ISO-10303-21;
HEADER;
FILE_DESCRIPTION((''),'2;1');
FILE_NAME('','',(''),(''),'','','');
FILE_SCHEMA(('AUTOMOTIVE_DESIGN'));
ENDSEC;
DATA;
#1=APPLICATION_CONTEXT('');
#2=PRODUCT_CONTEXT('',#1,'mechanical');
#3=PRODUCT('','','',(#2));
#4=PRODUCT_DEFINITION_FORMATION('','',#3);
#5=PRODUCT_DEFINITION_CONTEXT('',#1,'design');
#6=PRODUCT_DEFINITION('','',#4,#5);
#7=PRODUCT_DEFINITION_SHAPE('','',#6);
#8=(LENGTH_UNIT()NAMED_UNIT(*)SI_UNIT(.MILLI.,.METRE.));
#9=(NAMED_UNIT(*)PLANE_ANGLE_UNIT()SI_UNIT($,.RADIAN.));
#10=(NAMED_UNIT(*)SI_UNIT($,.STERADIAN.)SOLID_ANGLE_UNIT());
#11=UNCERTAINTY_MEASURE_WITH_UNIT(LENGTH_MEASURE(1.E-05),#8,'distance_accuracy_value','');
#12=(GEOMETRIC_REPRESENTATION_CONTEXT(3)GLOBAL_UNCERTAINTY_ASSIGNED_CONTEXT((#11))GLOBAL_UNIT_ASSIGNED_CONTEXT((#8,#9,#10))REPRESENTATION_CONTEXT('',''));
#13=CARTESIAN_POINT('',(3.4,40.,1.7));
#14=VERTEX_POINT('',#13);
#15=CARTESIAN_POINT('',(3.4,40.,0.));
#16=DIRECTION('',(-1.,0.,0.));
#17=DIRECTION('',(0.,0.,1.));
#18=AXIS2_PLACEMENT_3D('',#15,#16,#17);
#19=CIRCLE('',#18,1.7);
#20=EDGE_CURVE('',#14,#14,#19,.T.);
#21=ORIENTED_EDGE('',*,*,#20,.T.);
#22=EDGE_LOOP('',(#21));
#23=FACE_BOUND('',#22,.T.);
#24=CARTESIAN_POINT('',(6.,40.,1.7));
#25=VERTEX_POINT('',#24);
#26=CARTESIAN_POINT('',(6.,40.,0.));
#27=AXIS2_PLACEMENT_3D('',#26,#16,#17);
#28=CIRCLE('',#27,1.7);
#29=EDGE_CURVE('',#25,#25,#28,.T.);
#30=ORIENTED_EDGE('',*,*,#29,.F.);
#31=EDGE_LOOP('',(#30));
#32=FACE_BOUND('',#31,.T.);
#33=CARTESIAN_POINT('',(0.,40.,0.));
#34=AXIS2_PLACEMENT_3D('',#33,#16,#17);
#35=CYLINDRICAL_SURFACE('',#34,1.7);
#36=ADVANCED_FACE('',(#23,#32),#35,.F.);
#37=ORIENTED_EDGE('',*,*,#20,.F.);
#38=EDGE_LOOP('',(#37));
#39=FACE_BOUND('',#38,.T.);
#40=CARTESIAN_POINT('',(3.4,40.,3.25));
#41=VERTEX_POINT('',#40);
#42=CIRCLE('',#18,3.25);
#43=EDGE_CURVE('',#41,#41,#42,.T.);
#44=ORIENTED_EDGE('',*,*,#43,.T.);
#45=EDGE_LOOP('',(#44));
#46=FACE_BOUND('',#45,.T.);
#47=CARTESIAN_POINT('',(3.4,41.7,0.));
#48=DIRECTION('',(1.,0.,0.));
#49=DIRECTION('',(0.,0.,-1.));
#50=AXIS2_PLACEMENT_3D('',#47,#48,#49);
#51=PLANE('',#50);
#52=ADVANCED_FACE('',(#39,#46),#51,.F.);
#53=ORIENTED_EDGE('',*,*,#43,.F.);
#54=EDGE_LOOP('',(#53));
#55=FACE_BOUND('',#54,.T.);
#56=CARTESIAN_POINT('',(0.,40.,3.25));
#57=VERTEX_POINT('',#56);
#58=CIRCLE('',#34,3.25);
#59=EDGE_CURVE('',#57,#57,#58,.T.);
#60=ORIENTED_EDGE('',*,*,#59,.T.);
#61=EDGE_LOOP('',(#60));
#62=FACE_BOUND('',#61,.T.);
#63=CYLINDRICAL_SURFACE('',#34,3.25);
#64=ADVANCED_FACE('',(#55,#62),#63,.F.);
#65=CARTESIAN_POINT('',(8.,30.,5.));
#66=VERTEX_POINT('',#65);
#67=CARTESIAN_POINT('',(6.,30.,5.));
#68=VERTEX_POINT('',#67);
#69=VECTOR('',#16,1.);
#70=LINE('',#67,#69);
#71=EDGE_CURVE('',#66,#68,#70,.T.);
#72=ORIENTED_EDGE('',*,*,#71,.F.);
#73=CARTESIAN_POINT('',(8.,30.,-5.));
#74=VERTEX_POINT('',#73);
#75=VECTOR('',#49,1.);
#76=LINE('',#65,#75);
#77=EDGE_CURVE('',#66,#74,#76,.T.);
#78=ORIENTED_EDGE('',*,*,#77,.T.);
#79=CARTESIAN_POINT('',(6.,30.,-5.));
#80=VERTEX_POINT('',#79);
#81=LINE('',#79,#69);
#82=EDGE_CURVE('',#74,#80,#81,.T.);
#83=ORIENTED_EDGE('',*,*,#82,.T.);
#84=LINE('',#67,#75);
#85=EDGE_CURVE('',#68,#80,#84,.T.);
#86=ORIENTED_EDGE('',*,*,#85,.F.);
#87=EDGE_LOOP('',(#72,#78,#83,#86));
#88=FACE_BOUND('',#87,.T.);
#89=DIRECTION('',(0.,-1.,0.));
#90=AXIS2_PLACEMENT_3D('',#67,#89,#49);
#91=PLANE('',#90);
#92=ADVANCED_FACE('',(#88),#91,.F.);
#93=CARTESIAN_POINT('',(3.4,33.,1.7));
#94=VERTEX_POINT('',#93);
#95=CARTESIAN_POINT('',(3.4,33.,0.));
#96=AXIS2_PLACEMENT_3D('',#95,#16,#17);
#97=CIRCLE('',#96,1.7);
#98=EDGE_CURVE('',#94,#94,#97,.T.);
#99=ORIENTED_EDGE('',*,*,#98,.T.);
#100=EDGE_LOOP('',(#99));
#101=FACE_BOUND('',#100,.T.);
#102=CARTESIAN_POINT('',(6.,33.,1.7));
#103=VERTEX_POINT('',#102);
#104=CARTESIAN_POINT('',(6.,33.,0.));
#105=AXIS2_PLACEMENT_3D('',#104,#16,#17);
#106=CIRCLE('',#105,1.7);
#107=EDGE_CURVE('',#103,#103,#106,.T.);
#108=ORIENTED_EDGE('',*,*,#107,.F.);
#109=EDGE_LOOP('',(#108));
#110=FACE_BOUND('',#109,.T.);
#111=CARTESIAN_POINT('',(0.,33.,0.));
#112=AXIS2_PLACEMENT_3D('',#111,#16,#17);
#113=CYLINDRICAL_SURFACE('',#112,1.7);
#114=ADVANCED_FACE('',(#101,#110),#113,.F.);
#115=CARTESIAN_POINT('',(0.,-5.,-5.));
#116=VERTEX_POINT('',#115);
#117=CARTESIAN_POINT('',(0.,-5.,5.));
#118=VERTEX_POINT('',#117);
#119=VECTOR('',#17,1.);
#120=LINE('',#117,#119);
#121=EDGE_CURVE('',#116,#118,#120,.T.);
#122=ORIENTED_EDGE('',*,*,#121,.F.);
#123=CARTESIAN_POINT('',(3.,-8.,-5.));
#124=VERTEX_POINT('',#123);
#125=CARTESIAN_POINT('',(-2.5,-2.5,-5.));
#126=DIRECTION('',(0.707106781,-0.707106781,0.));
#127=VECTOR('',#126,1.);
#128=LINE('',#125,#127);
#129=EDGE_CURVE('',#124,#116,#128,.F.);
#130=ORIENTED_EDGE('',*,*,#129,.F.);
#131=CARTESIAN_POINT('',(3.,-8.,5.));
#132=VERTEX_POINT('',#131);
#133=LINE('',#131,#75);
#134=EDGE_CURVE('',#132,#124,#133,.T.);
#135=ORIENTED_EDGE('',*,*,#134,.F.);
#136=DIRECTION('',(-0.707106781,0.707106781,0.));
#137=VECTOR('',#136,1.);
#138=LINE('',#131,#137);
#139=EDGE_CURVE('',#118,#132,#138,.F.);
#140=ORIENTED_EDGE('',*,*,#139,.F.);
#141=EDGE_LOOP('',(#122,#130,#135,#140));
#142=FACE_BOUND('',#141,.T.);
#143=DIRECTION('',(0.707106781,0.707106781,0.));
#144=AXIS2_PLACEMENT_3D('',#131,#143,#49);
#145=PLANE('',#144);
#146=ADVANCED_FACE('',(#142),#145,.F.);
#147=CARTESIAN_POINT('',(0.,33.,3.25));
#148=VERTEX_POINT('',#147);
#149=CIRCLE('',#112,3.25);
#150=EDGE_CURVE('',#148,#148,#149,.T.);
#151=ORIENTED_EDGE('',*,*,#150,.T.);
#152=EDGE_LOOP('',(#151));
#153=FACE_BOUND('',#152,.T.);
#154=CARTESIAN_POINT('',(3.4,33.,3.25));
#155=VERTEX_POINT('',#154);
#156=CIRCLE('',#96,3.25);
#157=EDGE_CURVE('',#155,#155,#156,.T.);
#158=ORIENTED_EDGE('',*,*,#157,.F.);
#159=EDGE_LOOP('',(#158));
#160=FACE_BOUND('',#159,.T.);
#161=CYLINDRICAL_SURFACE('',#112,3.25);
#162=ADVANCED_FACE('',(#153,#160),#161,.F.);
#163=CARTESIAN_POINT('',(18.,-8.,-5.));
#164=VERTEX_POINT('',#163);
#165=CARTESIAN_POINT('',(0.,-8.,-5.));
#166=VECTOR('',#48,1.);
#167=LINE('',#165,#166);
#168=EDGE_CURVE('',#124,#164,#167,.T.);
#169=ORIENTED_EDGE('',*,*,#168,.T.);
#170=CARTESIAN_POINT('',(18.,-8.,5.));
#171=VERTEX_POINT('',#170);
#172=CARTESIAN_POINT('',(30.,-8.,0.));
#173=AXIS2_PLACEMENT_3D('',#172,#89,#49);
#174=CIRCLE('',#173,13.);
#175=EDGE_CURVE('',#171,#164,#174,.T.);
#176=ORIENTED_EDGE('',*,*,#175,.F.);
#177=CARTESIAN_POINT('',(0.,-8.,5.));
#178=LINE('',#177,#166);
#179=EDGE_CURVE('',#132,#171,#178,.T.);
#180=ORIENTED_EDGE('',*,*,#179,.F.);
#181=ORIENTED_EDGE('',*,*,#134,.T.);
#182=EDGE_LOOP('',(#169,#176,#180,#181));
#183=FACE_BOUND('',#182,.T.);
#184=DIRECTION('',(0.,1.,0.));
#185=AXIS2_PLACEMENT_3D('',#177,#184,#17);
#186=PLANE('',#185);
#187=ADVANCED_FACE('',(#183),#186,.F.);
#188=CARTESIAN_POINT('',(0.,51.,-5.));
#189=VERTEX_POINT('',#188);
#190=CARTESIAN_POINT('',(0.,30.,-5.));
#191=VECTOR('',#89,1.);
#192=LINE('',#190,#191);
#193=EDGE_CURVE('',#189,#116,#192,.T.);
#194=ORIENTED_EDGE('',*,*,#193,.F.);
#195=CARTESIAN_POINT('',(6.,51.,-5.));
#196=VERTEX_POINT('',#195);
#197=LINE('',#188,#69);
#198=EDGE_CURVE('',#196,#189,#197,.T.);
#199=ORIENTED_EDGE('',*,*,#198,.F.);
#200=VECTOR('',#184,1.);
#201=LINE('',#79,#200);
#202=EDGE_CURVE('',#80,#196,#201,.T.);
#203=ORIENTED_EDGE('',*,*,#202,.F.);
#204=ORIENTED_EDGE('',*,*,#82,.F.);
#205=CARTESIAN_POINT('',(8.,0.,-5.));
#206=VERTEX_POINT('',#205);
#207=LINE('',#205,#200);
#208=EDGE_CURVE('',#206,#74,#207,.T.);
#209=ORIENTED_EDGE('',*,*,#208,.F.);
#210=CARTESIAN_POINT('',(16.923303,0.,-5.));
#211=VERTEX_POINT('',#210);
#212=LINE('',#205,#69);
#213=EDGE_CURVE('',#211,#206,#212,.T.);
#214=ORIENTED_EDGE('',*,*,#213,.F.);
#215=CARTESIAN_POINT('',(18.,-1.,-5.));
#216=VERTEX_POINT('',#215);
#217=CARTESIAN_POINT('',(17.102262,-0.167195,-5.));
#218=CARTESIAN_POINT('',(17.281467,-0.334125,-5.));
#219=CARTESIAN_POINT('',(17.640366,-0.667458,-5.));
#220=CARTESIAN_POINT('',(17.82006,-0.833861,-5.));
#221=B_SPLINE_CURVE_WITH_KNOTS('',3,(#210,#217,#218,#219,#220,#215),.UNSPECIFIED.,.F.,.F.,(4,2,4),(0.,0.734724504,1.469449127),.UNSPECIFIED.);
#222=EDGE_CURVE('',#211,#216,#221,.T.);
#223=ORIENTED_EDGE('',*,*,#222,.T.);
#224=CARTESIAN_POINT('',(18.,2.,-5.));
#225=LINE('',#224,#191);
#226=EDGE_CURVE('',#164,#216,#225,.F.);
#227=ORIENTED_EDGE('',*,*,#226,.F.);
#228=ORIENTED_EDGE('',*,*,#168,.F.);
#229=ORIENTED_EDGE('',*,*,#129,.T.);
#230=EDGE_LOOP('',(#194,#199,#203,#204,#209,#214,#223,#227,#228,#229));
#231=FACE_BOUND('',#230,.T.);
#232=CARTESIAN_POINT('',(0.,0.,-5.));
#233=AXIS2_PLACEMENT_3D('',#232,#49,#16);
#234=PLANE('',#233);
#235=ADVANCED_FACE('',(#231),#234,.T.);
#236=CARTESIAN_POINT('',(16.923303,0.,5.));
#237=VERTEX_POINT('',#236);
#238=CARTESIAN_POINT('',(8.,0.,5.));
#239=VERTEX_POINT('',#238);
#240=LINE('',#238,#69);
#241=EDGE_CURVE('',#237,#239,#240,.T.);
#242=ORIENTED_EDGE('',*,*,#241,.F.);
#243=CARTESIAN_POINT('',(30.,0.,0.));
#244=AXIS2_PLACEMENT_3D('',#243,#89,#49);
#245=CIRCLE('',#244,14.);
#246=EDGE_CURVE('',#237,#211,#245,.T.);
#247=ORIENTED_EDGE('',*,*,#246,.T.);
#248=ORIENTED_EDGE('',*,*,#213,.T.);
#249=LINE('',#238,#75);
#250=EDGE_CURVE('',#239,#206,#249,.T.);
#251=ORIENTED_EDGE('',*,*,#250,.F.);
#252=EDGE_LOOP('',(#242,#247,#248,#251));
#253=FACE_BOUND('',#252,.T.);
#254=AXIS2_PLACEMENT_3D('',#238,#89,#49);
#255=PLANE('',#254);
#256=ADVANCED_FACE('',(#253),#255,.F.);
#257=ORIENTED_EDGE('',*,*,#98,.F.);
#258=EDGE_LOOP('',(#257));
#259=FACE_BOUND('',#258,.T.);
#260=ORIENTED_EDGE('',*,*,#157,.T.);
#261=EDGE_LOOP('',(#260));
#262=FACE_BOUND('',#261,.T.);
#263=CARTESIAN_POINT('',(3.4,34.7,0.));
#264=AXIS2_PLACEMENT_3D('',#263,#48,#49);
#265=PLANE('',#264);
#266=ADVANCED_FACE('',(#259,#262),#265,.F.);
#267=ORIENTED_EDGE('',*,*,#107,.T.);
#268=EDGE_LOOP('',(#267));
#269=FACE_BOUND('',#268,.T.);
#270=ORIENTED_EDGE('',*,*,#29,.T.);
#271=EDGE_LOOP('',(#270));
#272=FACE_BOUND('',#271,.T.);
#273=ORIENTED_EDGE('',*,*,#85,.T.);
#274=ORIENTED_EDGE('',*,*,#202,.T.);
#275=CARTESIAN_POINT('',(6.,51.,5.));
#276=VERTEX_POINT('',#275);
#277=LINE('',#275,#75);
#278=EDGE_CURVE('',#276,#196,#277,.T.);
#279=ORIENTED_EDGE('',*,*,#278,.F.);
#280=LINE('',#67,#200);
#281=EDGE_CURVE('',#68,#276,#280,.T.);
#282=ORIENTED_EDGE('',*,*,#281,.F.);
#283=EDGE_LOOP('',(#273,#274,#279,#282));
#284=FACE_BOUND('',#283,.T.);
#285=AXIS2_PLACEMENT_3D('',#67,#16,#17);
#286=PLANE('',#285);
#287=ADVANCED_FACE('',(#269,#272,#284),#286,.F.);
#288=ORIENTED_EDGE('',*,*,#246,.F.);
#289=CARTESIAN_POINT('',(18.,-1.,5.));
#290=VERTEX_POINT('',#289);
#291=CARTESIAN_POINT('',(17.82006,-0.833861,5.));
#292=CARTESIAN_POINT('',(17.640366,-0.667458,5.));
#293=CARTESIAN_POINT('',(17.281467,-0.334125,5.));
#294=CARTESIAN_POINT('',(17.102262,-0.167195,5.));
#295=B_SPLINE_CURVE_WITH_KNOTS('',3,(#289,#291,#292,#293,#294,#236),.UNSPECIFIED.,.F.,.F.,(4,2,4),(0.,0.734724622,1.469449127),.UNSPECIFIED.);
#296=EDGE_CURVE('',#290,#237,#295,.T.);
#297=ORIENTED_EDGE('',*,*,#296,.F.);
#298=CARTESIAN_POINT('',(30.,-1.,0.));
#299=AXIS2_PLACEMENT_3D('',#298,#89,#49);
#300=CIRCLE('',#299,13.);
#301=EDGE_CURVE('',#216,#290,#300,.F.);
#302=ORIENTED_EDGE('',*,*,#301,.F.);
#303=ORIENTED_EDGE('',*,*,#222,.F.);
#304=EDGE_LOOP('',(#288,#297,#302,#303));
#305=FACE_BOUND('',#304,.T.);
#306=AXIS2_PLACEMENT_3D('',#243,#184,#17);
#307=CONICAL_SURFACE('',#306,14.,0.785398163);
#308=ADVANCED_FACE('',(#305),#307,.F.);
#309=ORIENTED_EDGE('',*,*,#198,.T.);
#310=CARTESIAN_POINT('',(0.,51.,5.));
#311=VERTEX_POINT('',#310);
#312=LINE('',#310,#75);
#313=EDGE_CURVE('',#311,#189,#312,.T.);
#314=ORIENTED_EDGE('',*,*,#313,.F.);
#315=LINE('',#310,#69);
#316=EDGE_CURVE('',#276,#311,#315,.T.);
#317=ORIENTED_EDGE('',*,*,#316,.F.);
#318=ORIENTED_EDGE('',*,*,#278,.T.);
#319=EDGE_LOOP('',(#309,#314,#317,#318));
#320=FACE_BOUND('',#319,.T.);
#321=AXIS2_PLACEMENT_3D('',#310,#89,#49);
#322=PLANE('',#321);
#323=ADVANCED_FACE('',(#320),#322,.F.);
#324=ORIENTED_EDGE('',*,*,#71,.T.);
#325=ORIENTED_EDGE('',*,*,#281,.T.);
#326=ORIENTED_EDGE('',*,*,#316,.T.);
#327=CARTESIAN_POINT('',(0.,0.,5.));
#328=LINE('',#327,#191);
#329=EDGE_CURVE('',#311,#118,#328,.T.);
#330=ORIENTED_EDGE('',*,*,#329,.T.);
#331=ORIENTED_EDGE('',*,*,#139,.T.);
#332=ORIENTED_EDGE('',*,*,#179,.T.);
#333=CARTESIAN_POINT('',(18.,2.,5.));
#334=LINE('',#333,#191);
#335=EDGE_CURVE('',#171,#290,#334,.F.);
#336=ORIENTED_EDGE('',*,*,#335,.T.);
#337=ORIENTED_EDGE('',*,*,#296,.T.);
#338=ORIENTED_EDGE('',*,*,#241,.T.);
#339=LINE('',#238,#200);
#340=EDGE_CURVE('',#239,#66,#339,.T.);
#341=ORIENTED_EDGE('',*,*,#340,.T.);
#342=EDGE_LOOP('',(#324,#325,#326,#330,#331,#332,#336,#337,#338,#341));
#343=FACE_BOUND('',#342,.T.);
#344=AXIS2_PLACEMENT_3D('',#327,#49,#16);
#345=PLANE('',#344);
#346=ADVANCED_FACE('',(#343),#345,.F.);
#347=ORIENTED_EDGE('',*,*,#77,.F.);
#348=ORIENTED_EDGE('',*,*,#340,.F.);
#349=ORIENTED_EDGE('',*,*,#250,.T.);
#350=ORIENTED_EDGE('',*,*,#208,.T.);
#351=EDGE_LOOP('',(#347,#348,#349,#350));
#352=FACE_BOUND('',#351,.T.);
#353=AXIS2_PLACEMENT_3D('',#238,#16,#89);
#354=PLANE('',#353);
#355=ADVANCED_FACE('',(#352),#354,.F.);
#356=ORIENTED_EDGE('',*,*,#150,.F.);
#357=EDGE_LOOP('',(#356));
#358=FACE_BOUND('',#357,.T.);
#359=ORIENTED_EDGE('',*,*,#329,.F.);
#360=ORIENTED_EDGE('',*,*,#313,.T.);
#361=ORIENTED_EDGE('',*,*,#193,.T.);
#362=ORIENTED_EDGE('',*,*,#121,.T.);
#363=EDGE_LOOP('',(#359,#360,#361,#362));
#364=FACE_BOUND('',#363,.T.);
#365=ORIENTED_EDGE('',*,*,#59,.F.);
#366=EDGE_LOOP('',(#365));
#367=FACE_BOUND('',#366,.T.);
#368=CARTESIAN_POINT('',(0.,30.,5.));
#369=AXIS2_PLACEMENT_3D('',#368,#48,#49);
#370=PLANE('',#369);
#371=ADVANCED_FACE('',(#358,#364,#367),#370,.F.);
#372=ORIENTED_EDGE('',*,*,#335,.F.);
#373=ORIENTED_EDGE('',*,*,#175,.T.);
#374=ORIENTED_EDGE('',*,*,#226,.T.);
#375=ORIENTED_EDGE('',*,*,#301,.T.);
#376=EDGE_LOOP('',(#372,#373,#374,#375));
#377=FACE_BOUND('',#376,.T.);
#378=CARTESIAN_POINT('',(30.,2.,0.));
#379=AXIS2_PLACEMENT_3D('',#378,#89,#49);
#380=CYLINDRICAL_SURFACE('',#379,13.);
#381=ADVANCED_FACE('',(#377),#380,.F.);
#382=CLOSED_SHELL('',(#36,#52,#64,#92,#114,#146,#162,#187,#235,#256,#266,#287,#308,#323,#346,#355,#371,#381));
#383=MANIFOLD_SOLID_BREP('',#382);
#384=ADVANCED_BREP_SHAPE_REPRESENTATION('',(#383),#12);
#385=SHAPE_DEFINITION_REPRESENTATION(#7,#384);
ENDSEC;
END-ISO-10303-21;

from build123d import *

# Parameters (mm, degrees)
BOSS_EXTRU_1_DEPTH                                = 5
ESQUISSE2_R                                       = 13
ENL_V_MAT_EXTRU_1_DEPTH                           = 10
CHANFREIN1_SIZE                                   = 3
CHANFREIN2_SIZE                                   = 1
CHAMBRAGE_POUR_VIS_SIX_PANS_CREUX_M31_D           = 3.4
CHAMBRAGE_POUR_VIS_SIX_PANS_CREUX_M31_CBORE_D     = 6.5
CHAMBRAGE_POUR_VIS_SIX_PANS_CREUX_M31_CBORE_DEPTH = 3.4


with BuildPart() as part:
    # Esquisse1 → Boss.-Extru.1 (new, symmetric)
    with BuildSketch(Plane.XY):
        Polygon((8, 0), (20, 0), (20, -8), (0, -8), (0, 0), (0, 30), (0, 51), (6, 51), (6, 30), (8, 30), align=None)
    extrude(amount=BOSS_EXTRU_1_DEPTH, both=True)

    # Esquisse2 → Enlèv. mat.-Extru.1 (cut)
    with BuildSketch(Plane.XZ.offset(8)):
        with Locations((30, 0)):
            Circle(ESQUISSE2_R)
    extrude(amount=-ENL_V_MAT_EXTRU_1_DEPTH, mode=Mode.SUBTRACT)

    # Chanfrein1
    chanfrein1_edges = [part.edges().sort_by_distance(p)[0] for p in [
        (0, -8, 0),
    ]]
    chamfer(chanfrein1_edges, length=CHANFREIN1_SIZE)

    # Chanfrein2
    chanfrein2_edges = [part.edges().sort_by_distance(p)[0] for p in [
        (17, 0, 0),
    ]]
    chamfer(chanfrein2_edges, length=CHANFREIN2_SIZE)

    # Chambrage pour vis à six pans creux M31 (through all)
    with Locations(Plane.ZY):
        with Locations((0, 40), (0, 33)):
            CounterBoreHole(CHAMBRAGE_POUR_VIS_SIX_PANS_CREUX_M31_D / 2, CHAMBRAGE_POUR_VIS_SIX_PANS_CREUX_M31_CBORE_D / 2, CHAMBRAGE_POUR_VIS_SIX_PANS_CREUX_M31_CBORE_DEPTH)


solid = part.part
